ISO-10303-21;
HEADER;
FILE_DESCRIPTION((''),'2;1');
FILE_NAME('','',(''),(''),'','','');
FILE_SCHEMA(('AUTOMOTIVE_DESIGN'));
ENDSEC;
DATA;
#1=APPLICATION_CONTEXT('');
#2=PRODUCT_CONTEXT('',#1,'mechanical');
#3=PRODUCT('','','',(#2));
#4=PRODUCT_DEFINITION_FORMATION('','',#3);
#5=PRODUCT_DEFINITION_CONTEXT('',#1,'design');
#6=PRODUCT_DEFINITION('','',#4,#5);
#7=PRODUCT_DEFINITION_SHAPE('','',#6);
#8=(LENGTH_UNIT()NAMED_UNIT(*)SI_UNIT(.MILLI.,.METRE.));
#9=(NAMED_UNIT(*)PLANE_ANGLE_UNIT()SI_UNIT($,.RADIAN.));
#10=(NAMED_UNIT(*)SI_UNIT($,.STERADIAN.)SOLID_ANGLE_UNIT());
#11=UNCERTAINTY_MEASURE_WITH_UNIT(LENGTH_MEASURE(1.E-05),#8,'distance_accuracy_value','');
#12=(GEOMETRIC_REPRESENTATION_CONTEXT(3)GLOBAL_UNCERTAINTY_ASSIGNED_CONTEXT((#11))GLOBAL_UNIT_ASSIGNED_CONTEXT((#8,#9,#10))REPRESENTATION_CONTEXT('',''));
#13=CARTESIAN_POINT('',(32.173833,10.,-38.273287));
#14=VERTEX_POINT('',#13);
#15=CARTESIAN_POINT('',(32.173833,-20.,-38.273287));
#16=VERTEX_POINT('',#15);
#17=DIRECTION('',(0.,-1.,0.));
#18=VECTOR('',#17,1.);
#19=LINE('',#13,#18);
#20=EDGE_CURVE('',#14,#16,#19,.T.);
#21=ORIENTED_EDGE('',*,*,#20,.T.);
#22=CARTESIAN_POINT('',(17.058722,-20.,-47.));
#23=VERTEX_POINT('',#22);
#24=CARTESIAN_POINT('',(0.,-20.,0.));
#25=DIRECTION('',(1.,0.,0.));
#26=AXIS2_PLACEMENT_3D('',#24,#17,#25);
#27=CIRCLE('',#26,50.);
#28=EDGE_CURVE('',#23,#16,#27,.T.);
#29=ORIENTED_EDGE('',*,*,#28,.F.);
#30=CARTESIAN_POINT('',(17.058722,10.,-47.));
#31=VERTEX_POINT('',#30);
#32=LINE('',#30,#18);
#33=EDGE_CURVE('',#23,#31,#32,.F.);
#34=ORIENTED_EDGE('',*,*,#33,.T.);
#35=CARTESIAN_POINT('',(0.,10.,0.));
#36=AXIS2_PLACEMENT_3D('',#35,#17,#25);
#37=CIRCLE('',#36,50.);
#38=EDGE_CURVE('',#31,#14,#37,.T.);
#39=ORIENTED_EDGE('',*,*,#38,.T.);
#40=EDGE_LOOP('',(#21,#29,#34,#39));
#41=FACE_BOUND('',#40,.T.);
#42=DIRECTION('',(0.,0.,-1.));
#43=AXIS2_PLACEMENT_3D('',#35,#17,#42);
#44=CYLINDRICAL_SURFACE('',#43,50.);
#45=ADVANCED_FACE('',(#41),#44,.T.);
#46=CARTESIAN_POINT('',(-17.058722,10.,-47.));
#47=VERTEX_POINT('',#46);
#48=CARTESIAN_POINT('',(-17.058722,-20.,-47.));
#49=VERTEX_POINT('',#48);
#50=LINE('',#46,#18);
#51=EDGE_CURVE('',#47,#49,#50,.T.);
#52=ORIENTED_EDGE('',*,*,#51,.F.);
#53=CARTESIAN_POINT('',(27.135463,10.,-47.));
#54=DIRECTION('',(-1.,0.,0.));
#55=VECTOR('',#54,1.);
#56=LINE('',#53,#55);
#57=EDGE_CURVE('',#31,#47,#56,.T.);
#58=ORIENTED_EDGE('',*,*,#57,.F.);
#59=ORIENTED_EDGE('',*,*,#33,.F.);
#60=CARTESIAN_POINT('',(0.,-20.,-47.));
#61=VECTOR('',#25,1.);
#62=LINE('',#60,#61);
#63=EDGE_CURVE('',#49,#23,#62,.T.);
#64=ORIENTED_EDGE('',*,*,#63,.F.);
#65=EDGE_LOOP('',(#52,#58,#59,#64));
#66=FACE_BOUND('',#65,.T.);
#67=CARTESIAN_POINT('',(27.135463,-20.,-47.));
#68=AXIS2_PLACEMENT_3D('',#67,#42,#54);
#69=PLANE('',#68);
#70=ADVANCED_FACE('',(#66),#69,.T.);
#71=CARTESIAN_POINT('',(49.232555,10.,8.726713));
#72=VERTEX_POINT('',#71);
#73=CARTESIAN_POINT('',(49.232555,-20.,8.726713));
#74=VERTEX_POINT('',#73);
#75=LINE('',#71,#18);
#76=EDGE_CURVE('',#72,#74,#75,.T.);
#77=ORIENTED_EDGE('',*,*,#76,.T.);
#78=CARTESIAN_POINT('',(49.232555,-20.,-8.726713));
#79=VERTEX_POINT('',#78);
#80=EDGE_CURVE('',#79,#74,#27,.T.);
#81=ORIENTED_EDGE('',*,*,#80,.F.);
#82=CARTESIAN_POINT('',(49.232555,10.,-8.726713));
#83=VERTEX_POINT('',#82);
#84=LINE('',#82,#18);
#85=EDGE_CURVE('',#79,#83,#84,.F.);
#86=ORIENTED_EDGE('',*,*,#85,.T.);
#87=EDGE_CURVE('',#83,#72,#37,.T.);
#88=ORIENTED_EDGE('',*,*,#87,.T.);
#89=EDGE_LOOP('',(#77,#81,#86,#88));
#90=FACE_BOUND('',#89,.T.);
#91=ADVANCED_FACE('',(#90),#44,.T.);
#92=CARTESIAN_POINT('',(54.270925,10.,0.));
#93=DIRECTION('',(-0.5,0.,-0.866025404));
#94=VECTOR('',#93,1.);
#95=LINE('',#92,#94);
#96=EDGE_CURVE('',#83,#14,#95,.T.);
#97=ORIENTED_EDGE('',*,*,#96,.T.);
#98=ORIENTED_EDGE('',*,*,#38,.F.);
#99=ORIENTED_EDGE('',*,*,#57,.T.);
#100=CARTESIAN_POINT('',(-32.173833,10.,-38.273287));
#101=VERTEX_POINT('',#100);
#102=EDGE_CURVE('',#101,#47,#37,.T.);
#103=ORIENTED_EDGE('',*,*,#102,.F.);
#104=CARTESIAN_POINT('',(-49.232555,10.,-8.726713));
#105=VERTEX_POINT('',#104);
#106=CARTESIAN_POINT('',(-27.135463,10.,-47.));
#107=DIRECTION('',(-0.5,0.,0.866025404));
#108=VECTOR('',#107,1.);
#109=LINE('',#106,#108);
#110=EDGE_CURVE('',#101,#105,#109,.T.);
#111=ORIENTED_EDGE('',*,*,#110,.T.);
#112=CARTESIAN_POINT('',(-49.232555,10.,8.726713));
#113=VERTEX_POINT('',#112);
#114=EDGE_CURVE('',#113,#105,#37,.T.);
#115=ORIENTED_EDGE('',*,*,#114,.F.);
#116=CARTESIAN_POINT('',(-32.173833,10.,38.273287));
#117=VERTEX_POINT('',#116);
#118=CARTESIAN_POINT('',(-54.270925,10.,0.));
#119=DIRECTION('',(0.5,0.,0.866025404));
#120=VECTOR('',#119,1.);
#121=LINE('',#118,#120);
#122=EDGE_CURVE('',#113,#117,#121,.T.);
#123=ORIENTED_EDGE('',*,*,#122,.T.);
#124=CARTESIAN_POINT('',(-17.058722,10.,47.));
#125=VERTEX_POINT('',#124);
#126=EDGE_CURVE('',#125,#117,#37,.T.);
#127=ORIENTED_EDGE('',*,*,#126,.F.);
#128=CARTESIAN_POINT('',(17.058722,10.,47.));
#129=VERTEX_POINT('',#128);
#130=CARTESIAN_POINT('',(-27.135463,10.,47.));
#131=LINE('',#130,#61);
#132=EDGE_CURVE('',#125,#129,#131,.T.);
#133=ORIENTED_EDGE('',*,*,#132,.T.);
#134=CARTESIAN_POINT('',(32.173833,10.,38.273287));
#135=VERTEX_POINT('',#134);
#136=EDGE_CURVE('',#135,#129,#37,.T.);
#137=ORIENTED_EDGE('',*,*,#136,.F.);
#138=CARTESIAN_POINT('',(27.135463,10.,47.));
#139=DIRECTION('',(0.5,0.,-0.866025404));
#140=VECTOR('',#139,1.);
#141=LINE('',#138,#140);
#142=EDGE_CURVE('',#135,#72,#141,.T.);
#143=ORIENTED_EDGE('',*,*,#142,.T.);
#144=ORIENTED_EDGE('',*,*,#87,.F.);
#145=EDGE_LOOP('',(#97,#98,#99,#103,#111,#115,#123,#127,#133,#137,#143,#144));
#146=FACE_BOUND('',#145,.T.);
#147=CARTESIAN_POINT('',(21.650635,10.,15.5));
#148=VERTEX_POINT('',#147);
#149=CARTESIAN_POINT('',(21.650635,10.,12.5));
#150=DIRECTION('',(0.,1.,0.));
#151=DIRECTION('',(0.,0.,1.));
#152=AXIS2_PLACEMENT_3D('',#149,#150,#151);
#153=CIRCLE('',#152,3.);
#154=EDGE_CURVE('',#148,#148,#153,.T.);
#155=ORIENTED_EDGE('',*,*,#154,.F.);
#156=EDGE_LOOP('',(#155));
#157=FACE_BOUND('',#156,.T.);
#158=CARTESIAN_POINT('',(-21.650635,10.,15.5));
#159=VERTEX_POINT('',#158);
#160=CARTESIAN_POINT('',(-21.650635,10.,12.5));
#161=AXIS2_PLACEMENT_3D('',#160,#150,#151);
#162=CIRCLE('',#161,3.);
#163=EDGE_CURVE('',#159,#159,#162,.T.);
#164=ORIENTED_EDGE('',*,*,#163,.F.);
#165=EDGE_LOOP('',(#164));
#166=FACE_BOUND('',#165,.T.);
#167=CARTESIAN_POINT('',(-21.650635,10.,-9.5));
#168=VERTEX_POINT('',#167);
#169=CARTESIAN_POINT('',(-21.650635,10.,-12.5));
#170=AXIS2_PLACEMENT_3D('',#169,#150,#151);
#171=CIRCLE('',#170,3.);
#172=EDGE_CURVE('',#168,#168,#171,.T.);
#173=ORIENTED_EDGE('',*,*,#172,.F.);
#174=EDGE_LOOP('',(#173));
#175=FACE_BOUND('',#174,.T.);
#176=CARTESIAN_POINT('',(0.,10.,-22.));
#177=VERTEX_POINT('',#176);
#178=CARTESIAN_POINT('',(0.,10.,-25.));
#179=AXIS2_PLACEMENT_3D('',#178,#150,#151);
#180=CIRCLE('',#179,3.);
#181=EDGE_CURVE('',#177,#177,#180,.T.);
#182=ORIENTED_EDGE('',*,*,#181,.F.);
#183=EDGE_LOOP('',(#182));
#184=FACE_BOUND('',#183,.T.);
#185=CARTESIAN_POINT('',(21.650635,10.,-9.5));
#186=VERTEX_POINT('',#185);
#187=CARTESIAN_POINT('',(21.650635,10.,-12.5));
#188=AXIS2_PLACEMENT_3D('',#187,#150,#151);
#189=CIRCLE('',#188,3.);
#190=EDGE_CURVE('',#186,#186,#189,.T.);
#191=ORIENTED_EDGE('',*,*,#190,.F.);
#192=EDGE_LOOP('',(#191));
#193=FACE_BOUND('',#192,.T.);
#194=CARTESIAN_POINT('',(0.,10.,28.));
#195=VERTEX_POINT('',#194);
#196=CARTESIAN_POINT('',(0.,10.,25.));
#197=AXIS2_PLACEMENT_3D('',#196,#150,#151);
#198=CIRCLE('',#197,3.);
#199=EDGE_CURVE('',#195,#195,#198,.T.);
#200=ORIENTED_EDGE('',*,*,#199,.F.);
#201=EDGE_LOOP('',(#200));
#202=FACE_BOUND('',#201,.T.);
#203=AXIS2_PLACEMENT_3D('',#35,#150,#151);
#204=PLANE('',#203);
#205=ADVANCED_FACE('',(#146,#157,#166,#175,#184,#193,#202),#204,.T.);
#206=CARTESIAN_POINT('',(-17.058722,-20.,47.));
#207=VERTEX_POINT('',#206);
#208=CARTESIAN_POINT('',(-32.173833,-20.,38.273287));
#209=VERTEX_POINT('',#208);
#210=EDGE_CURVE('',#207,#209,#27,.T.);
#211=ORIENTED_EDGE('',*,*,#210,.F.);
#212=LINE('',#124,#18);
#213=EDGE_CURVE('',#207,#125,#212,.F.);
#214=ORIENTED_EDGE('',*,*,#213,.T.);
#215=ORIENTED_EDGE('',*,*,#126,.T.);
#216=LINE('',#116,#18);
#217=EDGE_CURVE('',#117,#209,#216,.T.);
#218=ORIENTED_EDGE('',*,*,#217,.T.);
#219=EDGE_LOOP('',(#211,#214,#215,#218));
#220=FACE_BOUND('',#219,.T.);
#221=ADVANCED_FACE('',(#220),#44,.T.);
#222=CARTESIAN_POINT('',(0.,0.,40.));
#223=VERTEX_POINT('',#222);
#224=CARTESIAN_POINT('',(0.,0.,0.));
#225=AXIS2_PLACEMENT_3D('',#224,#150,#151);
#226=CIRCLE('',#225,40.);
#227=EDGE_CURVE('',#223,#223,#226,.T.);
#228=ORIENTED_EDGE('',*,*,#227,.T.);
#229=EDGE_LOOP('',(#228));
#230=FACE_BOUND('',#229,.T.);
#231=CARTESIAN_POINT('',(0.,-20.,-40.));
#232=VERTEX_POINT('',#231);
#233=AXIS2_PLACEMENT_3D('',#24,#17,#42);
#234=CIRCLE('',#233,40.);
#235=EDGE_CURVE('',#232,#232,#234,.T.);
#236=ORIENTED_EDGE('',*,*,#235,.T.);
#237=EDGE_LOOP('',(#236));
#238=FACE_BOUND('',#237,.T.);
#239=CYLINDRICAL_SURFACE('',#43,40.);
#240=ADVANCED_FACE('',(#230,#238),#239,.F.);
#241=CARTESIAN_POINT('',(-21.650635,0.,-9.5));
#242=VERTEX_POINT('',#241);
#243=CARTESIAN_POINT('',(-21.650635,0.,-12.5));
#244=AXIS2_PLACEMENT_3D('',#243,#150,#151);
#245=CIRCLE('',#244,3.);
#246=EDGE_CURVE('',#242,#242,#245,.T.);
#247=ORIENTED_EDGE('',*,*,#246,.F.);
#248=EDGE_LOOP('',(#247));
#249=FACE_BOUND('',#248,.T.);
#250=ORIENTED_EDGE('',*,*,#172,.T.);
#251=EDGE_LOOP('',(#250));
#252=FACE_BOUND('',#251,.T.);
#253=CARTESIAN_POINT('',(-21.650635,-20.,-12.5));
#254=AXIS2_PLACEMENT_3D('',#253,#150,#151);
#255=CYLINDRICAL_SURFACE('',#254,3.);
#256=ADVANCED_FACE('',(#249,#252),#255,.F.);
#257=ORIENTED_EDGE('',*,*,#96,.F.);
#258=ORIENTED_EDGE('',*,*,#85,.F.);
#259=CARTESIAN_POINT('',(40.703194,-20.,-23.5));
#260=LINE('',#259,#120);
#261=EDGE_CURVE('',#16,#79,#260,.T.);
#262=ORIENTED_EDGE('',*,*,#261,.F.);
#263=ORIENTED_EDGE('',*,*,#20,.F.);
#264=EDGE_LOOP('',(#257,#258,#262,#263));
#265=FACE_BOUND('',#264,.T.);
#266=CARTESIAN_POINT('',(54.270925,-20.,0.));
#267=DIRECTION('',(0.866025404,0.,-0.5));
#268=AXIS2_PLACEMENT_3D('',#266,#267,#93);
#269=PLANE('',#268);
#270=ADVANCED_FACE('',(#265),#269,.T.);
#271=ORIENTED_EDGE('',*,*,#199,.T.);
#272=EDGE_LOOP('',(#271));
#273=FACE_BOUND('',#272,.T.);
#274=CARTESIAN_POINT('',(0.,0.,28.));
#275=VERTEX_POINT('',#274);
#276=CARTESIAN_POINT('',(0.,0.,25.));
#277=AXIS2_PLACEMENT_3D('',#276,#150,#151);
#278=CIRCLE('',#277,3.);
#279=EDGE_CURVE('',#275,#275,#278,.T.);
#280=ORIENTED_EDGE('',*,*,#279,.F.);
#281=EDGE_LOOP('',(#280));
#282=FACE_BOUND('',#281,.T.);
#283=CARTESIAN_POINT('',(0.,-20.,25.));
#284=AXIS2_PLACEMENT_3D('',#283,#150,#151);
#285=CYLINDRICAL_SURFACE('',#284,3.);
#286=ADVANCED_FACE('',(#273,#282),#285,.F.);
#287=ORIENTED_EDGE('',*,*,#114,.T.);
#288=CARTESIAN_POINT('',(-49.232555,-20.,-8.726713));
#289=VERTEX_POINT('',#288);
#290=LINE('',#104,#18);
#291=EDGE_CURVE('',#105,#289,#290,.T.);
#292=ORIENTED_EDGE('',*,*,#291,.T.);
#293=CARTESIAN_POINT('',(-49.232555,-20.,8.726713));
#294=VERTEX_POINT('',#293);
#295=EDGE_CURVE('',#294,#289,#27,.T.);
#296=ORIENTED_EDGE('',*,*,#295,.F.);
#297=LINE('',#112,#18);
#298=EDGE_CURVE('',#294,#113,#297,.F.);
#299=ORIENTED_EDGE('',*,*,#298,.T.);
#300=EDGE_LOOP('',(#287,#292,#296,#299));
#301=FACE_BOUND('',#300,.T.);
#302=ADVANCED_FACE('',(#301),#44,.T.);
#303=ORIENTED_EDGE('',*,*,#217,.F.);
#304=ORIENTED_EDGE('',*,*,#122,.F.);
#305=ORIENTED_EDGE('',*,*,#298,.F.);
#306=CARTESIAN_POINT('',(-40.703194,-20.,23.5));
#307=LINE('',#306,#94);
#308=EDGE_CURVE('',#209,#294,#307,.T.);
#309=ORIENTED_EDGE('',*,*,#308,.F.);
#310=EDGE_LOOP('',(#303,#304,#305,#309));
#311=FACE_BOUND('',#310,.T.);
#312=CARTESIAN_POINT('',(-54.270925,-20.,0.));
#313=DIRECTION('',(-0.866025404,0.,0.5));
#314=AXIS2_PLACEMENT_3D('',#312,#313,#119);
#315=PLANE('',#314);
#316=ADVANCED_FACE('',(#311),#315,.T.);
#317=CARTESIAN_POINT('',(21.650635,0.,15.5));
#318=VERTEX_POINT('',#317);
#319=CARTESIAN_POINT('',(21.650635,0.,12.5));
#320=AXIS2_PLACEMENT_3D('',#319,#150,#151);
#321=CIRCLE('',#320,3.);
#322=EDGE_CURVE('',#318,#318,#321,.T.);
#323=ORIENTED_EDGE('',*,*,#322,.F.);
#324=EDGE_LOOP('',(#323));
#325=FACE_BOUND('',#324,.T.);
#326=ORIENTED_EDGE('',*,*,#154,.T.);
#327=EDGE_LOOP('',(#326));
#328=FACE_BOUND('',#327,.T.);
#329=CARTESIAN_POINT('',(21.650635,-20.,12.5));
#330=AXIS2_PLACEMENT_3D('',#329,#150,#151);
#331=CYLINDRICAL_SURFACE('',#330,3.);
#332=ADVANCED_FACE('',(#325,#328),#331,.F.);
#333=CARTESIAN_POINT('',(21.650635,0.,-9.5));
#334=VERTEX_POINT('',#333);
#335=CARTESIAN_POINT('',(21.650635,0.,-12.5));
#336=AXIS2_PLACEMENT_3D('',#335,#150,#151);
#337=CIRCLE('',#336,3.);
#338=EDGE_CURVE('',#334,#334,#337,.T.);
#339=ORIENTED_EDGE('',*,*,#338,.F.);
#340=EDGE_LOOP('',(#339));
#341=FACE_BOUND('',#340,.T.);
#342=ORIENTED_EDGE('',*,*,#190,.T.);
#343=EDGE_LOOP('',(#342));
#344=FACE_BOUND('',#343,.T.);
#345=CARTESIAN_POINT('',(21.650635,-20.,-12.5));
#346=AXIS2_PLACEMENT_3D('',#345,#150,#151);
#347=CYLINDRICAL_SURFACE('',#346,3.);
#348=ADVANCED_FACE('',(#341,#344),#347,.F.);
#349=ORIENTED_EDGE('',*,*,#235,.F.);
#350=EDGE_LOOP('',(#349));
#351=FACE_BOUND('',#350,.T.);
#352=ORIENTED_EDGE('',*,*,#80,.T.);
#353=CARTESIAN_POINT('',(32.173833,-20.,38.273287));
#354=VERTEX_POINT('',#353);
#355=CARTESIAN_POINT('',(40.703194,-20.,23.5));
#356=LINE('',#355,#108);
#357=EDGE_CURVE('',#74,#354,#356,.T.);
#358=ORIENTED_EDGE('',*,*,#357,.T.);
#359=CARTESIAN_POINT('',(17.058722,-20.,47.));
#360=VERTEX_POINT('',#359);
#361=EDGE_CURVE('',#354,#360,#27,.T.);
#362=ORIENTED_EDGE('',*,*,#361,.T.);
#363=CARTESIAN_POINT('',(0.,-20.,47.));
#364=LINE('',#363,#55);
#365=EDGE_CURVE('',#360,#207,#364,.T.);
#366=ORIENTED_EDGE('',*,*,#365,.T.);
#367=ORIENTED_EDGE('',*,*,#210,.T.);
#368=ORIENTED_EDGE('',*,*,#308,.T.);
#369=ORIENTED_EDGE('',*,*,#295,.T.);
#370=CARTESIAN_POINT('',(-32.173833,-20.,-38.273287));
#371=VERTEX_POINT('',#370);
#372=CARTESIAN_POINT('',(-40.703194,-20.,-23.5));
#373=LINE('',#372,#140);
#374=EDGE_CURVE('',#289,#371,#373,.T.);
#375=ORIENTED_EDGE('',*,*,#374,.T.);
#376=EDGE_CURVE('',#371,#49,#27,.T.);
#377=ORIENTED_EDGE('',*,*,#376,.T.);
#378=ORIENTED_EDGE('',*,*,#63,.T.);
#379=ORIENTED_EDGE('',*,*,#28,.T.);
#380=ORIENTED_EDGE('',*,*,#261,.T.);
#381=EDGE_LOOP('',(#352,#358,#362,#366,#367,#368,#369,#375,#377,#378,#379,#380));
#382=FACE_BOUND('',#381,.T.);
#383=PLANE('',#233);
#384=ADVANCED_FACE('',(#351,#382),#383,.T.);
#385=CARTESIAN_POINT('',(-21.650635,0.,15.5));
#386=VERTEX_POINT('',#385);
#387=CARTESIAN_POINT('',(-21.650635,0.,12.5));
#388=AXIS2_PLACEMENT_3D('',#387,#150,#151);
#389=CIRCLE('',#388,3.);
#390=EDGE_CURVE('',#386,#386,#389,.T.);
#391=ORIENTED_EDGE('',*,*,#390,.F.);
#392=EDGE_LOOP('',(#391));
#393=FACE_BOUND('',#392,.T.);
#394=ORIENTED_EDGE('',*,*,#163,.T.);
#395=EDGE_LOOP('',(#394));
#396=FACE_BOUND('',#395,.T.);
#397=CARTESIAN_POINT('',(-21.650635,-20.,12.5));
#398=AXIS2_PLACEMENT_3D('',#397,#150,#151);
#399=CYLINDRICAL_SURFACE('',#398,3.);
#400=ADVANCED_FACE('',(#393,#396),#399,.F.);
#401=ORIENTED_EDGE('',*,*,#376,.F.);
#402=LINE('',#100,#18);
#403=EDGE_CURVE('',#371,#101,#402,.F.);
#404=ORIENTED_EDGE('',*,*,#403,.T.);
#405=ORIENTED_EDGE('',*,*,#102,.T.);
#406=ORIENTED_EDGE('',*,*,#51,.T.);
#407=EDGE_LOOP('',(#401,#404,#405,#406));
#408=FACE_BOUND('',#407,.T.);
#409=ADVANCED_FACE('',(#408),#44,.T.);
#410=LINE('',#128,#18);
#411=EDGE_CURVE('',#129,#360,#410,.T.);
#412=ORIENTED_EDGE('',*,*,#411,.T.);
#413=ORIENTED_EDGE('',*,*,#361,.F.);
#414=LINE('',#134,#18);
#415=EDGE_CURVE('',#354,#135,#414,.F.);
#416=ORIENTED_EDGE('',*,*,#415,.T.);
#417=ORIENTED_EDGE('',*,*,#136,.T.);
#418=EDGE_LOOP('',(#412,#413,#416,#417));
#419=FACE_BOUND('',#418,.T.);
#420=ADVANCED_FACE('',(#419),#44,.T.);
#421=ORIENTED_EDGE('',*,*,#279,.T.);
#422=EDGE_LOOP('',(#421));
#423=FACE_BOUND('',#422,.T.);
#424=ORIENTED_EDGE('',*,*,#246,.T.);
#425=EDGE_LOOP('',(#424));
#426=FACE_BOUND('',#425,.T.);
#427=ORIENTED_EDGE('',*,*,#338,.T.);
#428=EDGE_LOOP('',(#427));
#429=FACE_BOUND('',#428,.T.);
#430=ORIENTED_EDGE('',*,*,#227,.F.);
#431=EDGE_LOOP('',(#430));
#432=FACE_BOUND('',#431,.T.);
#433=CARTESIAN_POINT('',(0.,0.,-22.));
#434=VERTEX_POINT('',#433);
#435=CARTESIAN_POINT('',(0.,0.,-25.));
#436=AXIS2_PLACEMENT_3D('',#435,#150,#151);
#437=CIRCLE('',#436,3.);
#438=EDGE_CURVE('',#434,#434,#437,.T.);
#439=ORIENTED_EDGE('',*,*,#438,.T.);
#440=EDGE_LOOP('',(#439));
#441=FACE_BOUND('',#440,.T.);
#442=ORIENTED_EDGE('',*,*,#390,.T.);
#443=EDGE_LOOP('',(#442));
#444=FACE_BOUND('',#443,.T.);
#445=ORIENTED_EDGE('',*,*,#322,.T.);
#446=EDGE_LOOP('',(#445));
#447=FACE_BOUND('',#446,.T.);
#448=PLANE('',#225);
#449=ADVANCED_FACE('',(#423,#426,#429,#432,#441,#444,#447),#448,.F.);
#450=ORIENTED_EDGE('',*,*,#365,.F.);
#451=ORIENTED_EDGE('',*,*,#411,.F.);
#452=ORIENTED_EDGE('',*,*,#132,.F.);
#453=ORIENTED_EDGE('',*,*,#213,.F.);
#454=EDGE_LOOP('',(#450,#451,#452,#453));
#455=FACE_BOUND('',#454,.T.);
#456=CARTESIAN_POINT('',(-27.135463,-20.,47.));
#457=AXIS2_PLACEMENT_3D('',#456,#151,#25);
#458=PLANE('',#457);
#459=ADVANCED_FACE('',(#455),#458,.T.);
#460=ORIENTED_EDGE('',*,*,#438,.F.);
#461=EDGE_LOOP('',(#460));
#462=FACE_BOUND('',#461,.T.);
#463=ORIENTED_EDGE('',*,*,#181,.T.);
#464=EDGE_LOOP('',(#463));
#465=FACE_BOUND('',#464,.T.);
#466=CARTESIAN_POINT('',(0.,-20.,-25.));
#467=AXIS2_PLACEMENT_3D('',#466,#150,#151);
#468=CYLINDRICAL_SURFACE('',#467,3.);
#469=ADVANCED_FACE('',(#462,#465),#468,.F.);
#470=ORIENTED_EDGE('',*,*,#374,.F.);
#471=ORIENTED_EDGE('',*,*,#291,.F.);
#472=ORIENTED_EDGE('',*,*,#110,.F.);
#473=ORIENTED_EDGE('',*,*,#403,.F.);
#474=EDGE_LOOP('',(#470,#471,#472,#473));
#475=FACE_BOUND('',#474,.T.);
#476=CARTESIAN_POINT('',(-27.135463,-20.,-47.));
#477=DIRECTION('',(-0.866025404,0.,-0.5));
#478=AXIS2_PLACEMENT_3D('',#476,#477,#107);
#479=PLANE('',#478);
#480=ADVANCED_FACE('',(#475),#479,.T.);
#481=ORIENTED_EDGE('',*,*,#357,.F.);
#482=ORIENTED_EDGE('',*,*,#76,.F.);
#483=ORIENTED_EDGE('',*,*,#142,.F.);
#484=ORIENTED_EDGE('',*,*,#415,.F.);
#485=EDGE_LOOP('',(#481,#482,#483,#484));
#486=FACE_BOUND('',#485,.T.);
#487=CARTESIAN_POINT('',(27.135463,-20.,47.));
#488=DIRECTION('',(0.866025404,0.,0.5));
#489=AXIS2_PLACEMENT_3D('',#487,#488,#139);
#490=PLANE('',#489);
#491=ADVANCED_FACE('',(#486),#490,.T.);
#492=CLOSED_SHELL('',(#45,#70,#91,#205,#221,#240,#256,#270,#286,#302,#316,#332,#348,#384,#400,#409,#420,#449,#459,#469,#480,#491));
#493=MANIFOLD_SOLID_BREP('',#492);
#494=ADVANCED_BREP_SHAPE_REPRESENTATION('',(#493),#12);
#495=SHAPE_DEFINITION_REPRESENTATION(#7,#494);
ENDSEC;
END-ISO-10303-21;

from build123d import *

# Parameters (mm, degrees)
SKETCH2_R                = 40
BOSS_EXTRUDE1_DEPTH      = 10
EXTRUDE_THIN1_DEPTH      = 20
EXTRUDE_THIN1_DEPTH_BACK = 10
SKETCH3_R                = 50
SKETCH3_R_2              = 40
SKETCH4_OUTSIDE_W        = 130.914
SKETCH4_OUTSIDE_H        = 130.914
CUT_EXTRUDE1_DEPTH       = 77.811457479
SKETCH5_R                = 3
CUT_EXTRUDE2_DEPTH       = 75.893257373


with BuildPart() as part:
    # Sketch2 → Boss-Extrude1 (new body)
    with BuildSketch(Plane(origin=(0, 0, 0), x_dir=(1, 0, 0), z_dir=(0, 1, 0))):
        with Locations(Location((0, 0, 0), (0, 0, 270))):
            Circle(SKETCH2_R)
    extrude(amount=BOSS_EXTRUDE1_DEPTH)

    # Sketch3 → Extrude-Thin1 (add, two sides: drawn at the far end of the back side and taken through both)
    with BuildSketch(Plane.XZ.offset(-EXTRUDE_THIN1_DEPTH_BACK)):
        Circle(SKETCH3_R)
        Circle(SKETCH3_R_2, mode=Mode.SUBTRACT)
    extrude(amount=EXTRUDE_THIN1_DEPTH + EXTRUDE_THIN1_DEPTH_BACK)

    # Sketch4 outside → Cut-Extrude1 (cut, through all)
    with BuildSketch(Plane(origin=(0, 10, 0), x_dir=(1, 0, 0), z_dir=(0, 1, 0))):
        Rectangle(SKETCH4_OUTSIDE_W, SKETCH4_OUTSIDE_H)
        Polygon((54.270925304, 0), (27.135462652, 47), (-27.135462652, 47), (-54.270925304, 0), (-27.135462652, -47), (27.135462652, -47), align=None, mode=Mode.SUBTRACT)
    extrude(amount=-CUT_EXTRUDE1_DEPTH, mode=Mode.SUBTRACT)

    # Sketch5 → Cut-Extrude2 (cut, through all)
    with BuildSketch(Plane(origin=(0, 10, 0), x_dir=(1, 0, 0), z_dir=(0, 1, 0))):
        with Locations(Location((0, 25, 0), (0, 0, 270))):
            Circle(SKETCH5_R)
        with Locations(Location((21.650635095, 12.5, 0), (0, 0, 270))):
            Circle(SKETCH5_R)
        with Locations(Location((21.650635095, -12.5, 0), (0, 0, 270))):
            Circle(SKETCH5_R)
        with Locations(Location((0, -25, 0), (0, 0, 270))):
            Circle(SKETCH5_R)
        with Locations(Location((-21.650635095, -12.5, 0), (0, 0, 270))):
            Circle(SKETCH5_R)
        with Locations(Location((-21.650635095, 12.5, 0), (0, 0, 270))):
            Circle(SKETCH5_R)
    extrude(amount=-CUT_EXTRUDE2_DEPTH, mode=Mode.SUBTRACT)


solid = part.part
